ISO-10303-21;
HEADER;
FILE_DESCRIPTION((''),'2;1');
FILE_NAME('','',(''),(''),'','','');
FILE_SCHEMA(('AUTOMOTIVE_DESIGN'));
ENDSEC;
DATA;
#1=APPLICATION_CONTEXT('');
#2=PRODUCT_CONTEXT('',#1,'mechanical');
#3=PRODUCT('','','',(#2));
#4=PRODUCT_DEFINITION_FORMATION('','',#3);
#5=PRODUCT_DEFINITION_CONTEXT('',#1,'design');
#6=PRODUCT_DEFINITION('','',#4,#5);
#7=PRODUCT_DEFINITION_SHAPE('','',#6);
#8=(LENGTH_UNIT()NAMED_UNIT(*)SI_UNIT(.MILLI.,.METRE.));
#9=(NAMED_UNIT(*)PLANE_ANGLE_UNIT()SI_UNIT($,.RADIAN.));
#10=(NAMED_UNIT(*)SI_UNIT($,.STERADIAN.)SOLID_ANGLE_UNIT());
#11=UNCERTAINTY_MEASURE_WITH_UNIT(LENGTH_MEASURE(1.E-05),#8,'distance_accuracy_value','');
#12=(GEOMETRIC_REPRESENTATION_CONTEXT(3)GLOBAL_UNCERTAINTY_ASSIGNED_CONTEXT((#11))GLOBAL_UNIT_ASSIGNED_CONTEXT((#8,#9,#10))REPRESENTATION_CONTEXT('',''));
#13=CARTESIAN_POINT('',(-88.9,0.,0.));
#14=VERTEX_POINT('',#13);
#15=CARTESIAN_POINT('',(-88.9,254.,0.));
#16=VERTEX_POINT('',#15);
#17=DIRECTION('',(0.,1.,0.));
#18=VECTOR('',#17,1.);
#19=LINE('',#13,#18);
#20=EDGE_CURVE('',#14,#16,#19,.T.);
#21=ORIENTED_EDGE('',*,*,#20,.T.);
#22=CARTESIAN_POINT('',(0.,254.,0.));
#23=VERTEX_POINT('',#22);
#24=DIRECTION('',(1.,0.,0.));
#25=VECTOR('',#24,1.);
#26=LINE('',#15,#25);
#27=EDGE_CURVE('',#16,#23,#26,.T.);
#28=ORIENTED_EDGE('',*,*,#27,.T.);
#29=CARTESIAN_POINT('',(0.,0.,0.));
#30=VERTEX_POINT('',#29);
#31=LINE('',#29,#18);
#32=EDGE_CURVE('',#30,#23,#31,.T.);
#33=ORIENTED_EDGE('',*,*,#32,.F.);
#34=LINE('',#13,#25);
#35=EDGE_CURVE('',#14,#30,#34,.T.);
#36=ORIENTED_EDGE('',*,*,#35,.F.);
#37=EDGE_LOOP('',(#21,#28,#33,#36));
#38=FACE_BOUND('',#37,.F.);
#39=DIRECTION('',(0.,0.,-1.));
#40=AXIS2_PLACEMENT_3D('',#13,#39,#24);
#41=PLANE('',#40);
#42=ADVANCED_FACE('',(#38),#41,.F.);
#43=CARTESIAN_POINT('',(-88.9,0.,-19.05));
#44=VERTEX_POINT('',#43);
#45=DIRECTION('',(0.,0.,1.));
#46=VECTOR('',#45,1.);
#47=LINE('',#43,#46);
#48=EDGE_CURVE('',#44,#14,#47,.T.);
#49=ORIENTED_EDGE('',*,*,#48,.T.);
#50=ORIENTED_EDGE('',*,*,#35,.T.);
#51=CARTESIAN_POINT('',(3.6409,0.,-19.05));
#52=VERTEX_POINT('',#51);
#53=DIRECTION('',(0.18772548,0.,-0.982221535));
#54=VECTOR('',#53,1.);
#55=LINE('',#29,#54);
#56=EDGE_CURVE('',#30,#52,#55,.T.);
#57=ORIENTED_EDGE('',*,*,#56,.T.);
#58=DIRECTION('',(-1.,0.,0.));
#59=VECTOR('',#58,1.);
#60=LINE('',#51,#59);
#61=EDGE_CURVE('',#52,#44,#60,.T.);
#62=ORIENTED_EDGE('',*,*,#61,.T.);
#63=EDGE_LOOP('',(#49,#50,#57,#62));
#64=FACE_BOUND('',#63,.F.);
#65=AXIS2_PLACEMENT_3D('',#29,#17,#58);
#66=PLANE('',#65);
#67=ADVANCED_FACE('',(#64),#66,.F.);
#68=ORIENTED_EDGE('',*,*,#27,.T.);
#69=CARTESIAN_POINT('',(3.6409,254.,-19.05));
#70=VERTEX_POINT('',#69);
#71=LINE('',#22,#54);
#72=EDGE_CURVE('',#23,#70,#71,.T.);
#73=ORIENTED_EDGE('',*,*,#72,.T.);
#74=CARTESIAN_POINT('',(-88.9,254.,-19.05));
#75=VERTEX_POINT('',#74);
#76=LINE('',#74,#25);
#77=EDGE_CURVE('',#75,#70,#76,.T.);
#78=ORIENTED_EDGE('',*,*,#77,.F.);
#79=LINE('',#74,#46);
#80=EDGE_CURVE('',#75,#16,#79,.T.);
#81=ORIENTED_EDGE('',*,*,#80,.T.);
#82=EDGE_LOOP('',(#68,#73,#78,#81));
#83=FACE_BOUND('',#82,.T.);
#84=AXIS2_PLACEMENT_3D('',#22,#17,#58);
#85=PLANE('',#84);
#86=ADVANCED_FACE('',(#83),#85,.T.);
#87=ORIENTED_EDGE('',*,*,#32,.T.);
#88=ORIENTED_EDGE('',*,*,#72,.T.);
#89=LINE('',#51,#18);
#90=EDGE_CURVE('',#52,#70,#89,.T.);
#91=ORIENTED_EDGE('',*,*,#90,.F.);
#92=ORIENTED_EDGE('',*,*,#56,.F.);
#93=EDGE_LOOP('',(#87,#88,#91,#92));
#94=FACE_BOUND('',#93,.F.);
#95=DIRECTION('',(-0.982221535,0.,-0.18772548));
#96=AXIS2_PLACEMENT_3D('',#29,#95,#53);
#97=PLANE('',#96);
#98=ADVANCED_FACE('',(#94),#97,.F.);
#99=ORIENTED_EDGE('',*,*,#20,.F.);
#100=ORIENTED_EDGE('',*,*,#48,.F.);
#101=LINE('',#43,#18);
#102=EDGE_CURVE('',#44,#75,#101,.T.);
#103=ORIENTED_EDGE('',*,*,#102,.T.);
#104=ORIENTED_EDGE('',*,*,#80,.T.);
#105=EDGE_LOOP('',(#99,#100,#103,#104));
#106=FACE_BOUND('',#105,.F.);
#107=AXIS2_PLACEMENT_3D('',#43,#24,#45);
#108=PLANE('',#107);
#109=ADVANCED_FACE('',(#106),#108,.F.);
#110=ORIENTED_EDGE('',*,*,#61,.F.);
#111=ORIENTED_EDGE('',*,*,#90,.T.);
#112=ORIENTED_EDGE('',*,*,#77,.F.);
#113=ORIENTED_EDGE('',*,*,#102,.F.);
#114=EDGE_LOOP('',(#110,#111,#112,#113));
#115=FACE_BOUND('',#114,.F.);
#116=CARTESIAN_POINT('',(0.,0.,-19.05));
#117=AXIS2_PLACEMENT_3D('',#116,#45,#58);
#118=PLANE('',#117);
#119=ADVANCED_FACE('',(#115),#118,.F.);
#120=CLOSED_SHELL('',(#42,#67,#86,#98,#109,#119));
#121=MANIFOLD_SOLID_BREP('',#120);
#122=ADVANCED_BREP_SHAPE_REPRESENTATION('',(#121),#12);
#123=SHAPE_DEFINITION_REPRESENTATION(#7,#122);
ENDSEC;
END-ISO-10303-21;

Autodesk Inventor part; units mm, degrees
ref_plane "YZ Plane" through (0, 0, 0) normal (1, 0, 0) x (0, 1, 0)
ref_plane "XZ Plane" through (0, 0, 0) normal (0, 1, 0) x (-1, 0, 0)
ref_plane "XY Plane" through (0, 0, 0) normal (0, 0, 1) x (1, 0, 0)
sketch "Sketch1" plane through (0, 0, 0) normal (0, 1, 0) x (-1, 0, 0)
  line L0 (88.9, 0) -> (0, 0)
  line L1 (0, 0) -> (0, -19.05)
  line L2 (0, -19.05) -> (88.9, -19.05)
  line L3 (88.9, -19.05) -> (88.9, 0)
  line L4 (0, 0) -> (-3.6409, -19.05)
  line L5 (-3.6409, -19.05) -> (0, -19.05)
  line L6 (-3.6409, -19.05) -> (0, -19.05)
  dimension "d0" = 88.9
  dimension "d1" = 19.05
  dimension "d4" = 100.82
extrude "Extrusion1" add sketch "Sketch1" along normal blind 254
properties part number "toprectangle"
